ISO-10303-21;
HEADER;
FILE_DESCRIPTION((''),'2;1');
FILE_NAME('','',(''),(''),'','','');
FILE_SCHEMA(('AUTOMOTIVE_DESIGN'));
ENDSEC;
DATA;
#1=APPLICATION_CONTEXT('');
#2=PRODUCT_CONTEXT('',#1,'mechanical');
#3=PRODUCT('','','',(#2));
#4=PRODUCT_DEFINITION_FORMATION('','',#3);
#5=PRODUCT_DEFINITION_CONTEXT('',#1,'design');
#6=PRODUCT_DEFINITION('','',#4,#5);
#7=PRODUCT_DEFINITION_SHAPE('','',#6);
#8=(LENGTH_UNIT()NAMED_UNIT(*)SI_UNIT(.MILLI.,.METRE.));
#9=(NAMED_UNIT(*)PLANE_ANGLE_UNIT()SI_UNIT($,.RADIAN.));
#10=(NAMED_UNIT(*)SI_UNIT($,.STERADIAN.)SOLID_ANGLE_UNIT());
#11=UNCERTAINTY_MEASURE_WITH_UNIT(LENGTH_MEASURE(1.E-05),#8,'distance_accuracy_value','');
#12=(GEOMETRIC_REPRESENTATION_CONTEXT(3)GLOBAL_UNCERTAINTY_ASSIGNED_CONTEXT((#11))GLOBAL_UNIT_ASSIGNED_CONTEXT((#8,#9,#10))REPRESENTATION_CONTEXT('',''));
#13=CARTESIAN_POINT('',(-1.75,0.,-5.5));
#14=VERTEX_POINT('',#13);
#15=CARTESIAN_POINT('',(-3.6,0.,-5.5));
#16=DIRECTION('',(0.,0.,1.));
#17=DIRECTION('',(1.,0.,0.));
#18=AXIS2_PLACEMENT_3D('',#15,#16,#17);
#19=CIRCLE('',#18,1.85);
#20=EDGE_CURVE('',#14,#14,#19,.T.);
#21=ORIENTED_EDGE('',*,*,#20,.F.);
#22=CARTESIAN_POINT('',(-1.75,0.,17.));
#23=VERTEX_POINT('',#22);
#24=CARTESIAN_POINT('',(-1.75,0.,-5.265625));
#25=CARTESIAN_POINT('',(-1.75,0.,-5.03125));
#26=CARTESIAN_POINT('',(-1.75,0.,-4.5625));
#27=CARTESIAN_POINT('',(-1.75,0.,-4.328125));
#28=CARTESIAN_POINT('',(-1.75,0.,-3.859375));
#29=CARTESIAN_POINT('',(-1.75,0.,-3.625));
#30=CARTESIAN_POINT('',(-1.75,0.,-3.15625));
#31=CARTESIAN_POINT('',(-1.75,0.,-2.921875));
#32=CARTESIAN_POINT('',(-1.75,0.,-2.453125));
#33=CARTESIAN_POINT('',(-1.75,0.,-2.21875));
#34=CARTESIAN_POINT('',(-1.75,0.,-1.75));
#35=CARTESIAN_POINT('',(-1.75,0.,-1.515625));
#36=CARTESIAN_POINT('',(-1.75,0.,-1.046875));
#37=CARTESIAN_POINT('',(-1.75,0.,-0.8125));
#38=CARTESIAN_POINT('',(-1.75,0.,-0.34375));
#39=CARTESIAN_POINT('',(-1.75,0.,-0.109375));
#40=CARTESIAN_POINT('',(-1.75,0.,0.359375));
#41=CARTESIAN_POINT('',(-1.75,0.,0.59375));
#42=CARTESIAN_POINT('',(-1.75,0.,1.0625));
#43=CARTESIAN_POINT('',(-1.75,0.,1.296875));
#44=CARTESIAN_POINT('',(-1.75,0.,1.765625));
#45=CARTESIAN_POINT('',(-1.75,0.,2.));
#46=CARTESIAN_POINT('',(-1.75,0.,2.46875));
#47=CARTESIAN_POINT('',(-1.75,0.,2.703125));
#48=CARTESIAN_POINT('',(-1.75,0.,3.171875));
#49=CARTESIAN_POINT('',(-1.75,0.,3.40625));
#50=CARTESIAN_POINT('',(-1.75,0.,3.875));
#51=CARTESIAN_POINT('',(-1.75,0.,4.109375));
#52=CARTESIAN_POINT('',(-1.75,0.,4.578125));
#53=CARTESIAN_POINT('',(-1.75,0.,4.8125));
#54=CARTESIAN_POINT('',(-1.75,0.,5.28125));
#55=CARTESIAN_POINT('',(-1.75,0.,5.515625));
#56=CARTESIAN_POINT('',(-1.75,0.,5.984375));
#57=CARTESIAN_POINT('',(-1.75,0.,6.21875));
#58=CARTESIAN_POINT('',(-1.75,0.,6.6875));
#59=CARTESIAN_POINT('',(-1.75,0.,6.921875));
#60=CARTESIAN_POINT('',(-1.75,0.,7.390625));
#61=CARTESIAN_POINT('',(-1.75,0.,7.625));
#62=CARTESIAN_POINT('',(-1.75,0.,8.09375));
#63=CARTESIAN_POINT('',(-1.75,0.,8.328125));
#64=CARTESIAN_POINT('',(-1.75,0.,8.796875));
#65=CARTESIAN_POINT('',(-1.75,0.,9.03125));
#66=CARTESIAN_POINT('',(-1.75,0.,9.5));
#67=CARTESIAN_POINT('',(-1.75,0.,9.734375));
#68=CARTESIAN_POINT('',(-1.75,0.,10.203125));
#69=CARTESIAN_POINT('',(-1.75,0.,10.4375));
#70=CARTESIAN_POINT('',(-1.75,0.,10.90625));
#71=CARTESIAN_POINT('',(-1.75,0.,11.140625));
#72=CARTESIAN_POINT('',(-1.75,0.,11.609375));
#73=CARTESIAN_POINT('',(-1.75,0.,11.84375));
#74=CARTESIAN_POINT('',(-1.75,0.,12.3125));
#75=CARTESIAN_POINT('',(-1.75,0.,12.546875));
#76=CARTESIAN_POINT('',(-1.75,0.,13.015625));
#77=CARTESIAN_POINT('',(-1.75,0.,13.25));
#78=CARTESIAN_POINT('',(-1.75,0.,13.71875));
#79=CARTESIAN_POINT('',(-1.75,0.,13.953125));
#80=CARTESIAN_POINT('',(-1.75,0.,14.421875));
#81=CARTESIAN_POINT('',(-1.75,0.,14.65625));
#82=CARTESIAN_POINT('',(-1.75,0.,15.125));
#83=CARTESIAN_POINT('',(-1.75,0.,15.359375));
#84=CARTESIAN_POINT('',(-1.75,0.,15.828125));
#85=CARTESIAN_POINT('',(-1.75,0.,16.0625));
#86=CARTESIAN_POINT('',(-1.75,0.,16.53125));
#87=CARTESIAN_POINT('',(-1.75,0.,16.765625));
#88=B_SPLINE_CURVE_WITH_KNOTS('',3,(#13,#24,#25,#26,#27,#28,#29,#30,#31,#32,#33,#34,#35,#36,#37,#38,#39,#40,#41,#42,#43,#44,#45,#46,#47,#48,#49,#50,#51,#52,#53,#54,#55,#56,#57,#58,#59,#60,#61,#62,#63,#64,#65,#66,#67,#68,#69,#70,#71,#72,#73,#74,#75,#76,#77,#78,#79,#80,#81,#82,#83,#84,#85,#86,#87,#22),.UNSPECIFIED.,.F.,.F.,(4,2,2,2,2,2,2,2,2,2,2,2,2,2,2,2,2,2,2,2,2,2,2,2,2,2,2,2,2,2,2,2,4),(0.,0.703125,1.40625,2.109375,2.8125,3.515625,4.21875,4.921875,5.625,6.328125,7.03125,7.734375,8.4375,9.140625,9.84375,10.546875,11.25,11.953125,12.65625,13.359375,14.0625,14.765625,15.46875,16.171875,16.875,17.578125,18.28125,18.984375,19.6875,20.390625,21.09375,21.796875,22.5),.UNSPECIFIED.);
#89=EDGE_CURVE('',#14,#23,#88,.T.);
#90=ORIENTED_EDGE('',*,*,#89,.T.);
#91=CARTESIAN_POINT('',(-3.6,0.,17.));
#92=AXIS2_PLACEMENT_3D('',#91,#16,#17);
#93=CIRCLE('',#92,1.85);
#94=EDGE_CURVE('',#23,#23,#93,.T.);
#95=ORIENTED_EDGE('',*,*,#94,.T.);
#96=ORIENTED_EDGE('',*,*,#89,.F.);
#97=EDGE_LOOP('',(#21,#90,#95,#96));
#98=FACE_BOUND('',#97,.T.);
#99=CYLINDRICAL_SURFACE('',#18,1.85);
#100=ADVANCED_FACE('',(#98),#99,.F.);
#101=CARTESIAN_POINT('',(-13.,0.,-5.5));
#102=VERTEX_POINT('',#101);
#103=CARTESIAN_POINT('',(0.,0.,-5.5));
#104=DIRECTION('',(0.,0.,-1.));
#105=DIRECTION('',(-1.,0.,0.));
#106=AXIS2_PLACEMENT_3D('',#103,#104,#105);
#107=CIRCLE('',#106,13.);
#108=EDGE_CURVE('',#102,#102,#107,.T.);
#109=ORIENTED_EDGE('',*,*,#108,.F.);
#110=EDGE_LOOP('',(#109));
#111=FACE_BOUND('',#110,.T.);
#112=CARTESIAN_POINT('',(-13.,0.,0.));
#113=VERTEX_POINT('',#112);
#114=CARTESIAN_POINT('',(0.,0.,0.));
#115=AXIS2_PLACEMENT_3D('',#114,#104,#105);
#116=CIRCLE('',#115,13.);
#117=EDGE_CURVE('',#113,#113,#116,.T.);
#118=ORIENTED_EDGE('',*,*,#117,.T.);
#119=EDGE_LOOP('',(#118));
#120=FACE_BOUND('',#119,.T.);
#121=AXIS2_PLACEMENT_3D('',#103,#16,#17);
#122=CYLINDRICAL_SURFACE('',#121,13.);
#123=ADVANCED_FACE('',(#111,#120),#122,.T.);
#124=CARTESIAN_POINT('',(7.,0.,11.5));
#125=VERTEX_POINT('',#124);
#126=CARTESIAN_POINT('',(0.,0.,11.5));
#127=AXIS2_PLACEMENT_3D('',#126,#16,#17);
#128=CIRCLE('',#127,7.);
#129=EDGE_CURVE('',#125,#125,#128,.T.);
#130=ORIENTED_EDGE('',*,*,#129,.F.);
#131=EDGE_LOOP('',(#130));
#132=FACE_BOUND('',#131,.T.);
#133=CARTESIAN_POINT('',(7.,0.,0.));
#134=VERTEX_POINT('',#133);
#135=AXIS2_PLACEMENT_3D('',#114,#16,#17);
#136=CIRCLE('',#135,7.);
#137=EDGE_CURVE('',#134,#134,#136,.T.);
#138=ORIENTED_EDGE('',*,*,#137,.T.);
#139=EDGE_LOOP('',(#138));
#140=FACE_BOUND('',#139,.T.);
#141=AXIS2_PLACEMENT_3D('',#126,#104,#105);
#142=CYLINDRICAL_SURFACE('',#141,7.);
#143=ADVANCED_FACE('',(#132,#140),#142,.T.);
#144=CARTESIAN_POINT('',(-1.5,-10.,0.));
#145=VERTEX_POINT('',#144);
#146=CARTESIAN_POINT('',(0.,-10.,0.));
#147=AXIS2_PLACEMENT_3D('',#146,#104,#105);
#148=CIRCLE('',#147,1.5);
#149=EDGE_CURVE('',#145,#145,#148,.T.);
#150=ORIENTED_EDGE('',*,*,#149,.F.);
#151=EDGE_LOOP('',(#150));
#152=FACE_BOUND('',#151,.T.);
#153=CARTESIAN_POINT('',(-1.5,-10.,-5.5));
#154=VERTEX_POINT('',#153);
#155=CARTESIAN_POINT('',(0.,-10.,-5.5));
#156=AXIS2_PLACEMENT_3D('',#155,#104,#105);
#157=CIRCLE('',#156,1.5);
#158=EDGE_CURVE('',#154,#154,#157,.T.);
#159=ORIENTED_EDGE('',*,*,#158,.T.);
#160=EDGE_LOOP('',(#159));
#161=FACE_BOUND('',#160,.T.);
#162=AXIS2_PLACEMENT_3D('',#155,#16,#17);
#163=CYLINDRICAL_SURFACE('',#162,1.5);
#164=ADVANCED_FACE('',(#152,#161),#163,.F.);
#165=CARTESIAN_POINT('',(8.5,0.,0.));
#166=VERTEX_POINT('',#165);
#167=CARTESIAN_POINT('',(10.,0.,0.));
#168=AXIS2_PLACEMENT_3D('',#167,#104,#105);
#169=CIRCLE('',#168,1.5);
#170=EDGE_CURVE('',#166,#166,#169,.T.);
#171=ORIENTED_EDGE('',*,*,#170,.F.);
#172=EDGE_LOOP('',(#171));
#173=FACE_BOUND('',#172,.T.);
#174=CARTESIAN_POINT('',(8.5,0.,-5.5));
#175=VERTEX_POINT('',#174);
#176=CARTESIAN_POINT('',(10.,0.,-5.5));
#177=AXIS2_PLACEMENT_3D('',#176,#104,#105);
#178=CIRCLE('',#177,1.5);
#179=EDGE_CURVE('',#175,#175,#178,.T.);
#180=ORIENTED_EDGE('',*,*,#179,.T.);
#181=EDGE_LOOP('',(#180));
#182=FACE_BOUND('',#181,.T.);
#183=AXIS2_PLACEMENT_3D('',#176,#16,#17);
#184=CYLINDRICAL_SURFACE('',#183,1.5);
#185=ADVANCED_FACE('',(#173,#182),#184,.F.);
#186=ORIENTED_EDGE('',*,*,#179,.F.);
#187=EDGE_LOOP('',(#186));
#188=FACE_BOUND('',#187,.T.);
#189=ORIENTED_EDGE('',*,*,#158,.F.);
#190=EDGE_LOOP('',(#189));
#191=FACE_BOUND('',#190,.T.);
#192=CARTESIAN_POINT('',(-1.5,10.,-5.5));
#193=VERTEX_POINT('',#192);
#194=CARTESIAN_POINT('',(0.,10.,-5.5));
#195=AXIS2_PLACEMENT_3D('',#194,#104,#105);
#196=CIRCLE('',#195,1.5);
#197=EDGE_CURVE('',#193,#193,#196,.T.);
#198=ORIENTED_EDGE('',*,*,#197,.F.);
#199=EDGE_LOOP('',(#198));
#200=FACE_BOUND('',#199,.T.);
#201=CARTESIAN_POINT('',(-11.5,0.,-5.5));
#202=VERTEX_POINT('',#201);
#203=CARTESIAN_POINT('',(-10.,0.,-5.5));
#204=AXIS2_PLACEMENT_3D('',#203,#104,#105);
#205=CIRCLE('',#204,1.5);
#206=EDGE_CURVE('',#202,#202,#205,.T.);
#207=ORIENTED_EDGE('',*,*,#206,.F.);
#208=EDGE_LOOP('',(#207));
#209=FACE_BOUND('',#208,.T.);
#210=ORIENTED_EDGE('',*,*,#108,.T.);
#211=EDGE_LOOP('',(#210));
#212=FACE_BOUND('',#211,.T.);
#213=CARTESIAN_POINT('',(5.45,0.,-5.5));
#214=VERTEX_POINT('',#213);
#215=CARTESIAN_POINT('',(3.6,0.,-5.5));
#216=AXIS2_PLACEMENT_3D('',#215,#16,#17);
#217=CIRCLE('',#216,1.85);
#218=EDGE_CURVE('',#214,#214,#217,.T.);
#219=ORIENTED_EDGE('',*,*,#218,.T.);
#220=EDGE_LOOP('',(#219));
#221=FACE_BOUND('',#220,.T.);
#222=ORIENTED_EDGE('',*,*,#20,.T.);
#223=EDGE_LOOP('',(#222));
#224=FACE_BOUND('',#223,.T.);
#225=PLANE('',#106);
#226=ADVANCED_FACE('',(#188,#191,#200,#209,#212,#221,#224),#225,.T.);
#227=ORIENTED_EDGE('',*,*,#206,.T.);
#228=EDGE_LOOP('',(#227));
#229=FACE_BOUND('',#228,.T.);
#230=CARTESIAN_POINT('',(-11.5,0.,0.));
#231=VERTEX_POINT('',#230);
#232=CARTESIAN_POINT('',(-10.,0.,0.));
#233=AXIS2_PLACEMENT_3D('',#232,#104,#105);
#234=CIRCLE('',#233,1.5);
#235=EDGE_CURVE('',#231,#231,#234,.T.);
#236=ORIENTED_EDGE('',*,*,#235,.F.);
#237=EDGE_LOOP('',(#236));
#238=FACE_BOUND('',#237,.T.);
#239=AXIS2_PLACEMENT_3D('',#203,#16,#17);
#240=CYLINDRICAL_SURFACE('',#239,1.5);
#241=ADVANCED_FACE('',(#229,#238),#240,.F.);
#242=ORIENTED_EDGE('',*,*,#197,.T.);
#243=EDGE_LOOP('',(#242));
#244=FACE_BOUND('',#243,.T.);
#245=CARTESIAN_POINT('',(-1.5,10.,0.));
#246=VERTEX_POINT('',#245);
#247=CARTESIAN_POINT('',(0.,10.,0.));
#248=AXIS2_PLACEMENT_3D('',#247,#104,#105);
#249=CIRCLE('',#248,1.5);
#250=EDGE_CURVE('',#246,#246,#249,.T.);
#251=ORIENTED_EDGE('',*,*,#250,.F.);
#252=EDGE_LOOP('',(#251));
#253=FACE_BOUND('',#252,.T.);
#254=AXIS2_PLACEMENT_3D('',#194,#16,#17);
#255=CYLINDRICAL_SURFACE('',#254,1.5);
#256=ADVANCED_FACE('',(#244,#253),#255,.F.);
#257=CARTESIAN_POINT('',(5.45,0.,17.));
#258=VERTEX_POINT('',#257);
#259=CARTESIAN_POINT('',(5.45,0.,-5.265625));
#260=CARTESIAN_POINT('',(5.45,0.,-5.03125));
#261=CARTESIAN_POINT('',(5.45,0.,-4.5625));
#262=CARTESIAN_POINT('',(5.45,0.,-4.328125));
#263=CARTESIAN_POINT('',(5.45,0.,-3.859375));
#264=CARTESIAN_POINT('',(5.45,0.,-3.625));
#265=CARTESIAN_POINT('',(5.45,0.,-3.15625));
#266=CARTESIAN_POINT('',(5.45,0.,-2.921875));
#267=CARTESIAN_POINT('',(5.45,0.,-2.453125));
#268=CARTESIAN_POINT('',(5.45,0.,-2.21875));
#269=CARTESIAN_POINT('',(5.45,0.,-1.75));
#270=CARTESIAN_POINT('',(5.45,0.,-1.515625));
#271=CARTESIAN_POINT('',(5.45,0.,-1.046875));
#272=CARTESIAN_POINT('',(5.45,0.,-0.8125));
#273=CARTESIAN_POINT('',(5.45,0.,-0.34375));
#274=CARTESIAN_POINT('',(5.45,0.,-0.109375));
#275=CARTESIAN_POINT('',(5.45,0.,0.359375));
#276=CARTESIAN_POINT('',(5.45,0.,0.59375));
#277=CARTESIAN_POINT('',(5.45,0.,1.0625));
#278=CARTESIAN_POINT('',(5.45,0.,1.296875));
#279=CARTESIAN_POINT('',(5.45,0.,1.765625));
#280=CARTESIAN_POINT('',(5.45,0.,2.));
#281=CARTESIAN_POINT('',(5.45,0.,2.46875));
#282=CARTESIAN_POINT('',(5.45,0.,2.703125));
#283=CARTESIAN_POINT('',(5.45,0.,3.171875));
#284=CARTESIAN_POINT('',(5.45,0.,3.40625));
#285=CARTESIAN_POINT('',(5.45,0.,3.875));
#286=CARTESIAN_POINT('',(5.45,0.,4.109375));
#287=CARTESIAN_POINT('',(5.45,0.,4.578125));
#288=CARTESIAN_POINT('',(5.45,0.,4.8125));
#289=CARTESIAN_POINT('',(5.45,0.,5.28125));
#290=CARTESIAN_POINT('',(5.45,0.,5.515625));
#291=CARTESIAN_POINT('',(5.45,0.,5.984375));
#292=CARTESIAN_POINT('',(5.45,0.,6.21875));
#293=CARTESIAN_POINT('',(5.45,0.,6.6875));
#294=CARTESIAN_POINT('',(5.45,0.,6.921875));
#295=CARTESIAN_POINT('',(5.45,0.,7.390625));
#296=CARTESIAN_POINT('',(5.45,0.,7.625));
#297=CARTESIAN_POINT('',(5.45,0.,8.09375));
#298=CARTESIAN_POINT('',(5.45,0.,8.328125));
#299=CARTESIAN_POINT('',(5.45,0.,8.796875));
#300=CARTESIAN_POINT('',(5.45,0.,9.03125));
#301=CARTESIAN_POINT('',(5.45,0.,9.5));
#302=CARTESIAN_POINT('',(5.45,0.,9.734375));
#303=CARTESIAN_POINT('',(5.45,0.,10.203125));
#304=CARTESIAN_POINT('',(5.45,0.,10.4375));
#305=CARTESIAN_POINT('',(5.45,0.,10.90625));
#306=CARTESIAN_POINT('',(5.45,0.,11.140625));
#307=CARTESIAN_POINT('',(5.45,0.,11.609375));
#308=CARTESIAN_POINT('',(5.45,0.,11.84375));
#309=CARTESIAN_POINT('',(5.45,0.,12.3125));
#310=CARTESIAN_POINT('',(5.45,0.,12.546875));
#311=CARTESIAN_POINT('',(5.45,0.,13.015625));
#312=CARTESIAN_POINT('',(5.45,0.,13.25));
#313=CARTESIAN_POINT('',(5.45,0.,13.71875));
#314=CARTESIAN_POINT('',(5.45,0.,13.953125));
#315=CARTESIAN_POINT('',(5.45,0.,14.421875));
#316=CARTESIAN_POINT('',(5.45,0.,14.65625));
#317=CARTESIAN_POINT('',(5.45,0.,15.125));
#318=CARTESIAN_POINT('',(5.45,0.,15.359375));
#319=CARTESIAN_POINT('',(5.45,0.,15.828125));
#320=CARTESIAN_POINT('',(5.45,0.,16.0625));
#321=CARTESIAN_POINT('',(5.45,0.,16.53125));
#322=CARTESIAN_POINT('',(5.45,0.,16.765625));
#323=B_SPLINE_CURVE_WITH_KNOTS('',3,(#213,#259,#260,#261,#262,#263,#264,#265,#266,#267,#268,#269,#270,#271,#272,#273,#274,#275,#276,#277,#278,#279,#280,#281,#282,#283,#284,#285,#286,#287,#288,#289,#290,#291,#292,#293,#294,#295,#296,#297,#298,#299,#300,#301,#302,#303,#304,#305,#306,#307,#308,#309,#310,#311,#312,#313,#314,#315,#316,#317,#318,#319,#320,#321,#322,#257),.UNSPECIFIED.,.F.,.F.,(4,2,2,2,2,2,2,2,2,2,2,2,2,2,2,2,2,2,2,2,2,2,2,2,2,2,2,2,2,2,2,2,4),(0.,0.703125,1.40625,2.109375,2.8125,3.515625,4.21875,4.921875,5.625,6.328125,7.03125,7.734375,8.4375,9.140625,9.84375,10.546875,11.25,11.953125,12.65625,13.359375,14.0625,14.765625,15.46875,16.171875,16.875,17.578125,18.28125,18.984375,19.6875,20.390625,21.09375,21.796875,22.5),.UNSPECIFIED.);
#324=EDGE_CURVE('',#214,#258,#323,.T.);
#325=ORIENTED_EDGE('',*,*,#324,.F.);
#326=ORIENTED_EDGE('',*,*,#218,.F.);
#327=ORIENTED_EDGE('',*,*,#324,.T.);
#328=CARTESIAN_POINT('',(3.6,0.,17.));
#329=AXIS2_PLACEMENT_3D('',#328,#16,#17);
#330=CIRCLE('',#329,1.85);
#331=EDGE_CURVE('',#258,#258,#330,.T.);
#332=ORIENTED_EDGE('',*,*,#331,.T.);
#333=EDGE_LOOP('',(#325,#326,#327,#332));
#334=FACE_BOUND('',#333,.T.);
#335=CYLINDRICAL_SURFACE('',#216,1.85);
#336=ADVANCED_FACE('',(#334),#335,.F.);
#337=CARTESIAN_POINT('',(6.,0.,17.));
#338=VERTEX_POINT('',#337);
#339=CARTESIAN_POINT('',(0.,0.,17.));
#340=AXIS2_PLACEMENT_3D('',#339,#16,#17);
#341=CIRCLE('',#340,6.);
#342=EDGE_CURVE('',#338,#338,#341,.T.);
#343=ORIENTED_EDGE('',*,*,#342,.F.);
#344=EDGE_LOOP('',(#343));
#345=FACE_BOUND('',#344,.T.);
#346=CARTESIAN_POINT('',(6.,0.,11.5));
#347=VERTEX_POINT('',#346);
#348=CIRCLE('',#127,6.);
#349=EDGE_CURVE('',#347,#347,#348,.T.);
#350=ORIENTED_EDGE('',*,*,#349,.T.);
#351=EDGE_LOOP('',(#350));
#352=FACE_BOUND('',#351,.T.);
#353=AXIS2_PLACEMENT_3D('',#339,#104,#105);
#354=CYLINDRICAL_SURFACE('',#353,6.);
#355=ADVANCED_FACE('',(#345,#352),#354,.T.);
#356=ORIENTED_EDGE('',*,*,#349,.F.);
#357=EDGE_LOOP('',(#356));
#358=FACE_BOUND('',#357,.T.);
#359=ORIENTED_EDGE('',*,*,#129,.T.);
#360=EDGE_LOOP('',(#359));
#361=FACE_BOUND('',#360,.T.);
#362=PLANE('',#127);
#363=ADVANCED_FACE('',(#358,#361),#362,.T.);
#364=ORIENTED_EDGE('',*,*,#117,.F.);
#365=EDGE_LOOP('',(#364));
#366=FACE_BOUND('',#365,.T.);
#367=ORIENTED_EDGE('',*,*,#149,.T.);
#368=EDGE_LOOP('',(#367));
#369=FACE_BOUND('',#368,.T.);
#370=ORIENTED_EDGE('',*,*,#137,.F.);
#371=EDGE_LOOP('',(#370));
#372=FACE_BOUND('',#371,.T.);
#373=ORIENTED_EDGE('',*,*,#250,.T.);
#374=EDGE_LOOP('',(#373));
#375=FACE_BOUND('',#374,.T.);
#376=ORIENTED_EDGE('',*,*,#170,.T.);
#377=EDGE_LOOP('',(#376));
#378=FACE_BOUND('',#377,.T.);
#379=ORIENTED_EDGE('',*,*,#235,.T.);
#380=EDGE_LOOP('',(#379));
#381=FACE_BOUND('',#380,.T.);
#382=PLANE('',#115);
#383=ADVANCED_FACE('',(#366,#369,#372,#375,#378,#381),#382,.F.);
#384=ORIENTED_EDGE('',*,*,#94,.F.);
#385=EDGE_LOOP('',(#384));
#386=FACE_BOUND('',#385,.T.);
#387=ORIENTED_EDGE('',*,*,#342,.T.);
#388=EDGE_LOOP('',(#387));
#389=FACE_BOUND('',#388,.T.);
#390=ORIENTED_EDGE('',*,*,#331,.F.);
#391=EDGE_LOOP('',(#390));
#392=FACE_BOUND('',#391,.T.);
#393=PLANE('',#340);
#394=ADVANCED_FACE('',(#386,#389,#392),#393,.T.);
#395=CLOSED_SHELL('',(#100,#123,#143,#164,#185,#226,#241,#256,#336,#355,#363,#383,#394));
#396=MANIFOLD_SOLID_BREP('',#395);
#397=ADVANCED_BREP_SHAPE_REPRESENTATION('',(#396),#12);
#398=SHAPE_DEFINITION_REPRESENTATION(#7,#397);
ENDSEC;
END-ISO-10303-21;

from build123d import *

# Parameters (mm, degrees)
SKETCH1_R           = 7
BOSS_EXTRUDE1_DEPTH = 11.5
SKETCH2_R           = 6
BOSS_EXTRUDE2_DEPTH = 5.5
SKETCH3_R           = 13
SKETCH3_R_2         = 1.5
BOSS_EXTRUDE3_DEPTH = 5.5
SKETCH4_R           = 1.85
CUT_EXTRUDE1_DEPTH  = 30.055980452


with BuildPart() as part:
    # Sketch1 → Boss-Extrude1 (new body)
    with BuildSketch(Plane.XY):
        Circle(SKETCH1_R)
    extrude(amount=BOSS_EXTRUDE1_DEPTH)

    # Sketch2 → Boss-Extrude2 (add)
    with BuildSketch(Plane.XY.offset(11.5)):
        Circle(SKETCH2_R)
    extrude(amount=BOSS_EXTRUDE2_DEPTH)

    # Sketch3 → Boss-Extrude3 (add)
    with BuildSketch(Plane(origin=(0, 0, 0), x_dir=(-1, 0, 0), z_dir=(0, 0, -1))):
        Circle(SKETCH3_R)
        with Locations((10, 0)):
            Circle(SKETCH3_R_2, mode=Mode.SUBTRACT)
        with Locations((0, -10)):
            Circle(SKETCH3_R_2, mode=Mode.SUBTRACT)
        with Locations((-10, 0)):
            Circle(SKETCH3_R_2, mode=Mode.SUBTRACT)
        with Locations((0, 10)):
            Circle(SKETCH3_R_2, mode=Mode.SUBTRACT)
    extrude(amount=BOSS_EXTRUDE3_DEPTH)

    # Sketch4 → Cut-Extrude1 (cut, through all)
    with BuildSketch(Plane.XY.offset(17)):
        with Locations((3.6, -3.04e-07)):
            Circle(SKETCH4_R)
        with Locations((-3.6, 0)):
            Circle(SKETCH4_R)
    extrude(amount=-CUT_EXTRUDE1_DEPTH, mode=Mode.SUBTRACT)


solid = part.part
